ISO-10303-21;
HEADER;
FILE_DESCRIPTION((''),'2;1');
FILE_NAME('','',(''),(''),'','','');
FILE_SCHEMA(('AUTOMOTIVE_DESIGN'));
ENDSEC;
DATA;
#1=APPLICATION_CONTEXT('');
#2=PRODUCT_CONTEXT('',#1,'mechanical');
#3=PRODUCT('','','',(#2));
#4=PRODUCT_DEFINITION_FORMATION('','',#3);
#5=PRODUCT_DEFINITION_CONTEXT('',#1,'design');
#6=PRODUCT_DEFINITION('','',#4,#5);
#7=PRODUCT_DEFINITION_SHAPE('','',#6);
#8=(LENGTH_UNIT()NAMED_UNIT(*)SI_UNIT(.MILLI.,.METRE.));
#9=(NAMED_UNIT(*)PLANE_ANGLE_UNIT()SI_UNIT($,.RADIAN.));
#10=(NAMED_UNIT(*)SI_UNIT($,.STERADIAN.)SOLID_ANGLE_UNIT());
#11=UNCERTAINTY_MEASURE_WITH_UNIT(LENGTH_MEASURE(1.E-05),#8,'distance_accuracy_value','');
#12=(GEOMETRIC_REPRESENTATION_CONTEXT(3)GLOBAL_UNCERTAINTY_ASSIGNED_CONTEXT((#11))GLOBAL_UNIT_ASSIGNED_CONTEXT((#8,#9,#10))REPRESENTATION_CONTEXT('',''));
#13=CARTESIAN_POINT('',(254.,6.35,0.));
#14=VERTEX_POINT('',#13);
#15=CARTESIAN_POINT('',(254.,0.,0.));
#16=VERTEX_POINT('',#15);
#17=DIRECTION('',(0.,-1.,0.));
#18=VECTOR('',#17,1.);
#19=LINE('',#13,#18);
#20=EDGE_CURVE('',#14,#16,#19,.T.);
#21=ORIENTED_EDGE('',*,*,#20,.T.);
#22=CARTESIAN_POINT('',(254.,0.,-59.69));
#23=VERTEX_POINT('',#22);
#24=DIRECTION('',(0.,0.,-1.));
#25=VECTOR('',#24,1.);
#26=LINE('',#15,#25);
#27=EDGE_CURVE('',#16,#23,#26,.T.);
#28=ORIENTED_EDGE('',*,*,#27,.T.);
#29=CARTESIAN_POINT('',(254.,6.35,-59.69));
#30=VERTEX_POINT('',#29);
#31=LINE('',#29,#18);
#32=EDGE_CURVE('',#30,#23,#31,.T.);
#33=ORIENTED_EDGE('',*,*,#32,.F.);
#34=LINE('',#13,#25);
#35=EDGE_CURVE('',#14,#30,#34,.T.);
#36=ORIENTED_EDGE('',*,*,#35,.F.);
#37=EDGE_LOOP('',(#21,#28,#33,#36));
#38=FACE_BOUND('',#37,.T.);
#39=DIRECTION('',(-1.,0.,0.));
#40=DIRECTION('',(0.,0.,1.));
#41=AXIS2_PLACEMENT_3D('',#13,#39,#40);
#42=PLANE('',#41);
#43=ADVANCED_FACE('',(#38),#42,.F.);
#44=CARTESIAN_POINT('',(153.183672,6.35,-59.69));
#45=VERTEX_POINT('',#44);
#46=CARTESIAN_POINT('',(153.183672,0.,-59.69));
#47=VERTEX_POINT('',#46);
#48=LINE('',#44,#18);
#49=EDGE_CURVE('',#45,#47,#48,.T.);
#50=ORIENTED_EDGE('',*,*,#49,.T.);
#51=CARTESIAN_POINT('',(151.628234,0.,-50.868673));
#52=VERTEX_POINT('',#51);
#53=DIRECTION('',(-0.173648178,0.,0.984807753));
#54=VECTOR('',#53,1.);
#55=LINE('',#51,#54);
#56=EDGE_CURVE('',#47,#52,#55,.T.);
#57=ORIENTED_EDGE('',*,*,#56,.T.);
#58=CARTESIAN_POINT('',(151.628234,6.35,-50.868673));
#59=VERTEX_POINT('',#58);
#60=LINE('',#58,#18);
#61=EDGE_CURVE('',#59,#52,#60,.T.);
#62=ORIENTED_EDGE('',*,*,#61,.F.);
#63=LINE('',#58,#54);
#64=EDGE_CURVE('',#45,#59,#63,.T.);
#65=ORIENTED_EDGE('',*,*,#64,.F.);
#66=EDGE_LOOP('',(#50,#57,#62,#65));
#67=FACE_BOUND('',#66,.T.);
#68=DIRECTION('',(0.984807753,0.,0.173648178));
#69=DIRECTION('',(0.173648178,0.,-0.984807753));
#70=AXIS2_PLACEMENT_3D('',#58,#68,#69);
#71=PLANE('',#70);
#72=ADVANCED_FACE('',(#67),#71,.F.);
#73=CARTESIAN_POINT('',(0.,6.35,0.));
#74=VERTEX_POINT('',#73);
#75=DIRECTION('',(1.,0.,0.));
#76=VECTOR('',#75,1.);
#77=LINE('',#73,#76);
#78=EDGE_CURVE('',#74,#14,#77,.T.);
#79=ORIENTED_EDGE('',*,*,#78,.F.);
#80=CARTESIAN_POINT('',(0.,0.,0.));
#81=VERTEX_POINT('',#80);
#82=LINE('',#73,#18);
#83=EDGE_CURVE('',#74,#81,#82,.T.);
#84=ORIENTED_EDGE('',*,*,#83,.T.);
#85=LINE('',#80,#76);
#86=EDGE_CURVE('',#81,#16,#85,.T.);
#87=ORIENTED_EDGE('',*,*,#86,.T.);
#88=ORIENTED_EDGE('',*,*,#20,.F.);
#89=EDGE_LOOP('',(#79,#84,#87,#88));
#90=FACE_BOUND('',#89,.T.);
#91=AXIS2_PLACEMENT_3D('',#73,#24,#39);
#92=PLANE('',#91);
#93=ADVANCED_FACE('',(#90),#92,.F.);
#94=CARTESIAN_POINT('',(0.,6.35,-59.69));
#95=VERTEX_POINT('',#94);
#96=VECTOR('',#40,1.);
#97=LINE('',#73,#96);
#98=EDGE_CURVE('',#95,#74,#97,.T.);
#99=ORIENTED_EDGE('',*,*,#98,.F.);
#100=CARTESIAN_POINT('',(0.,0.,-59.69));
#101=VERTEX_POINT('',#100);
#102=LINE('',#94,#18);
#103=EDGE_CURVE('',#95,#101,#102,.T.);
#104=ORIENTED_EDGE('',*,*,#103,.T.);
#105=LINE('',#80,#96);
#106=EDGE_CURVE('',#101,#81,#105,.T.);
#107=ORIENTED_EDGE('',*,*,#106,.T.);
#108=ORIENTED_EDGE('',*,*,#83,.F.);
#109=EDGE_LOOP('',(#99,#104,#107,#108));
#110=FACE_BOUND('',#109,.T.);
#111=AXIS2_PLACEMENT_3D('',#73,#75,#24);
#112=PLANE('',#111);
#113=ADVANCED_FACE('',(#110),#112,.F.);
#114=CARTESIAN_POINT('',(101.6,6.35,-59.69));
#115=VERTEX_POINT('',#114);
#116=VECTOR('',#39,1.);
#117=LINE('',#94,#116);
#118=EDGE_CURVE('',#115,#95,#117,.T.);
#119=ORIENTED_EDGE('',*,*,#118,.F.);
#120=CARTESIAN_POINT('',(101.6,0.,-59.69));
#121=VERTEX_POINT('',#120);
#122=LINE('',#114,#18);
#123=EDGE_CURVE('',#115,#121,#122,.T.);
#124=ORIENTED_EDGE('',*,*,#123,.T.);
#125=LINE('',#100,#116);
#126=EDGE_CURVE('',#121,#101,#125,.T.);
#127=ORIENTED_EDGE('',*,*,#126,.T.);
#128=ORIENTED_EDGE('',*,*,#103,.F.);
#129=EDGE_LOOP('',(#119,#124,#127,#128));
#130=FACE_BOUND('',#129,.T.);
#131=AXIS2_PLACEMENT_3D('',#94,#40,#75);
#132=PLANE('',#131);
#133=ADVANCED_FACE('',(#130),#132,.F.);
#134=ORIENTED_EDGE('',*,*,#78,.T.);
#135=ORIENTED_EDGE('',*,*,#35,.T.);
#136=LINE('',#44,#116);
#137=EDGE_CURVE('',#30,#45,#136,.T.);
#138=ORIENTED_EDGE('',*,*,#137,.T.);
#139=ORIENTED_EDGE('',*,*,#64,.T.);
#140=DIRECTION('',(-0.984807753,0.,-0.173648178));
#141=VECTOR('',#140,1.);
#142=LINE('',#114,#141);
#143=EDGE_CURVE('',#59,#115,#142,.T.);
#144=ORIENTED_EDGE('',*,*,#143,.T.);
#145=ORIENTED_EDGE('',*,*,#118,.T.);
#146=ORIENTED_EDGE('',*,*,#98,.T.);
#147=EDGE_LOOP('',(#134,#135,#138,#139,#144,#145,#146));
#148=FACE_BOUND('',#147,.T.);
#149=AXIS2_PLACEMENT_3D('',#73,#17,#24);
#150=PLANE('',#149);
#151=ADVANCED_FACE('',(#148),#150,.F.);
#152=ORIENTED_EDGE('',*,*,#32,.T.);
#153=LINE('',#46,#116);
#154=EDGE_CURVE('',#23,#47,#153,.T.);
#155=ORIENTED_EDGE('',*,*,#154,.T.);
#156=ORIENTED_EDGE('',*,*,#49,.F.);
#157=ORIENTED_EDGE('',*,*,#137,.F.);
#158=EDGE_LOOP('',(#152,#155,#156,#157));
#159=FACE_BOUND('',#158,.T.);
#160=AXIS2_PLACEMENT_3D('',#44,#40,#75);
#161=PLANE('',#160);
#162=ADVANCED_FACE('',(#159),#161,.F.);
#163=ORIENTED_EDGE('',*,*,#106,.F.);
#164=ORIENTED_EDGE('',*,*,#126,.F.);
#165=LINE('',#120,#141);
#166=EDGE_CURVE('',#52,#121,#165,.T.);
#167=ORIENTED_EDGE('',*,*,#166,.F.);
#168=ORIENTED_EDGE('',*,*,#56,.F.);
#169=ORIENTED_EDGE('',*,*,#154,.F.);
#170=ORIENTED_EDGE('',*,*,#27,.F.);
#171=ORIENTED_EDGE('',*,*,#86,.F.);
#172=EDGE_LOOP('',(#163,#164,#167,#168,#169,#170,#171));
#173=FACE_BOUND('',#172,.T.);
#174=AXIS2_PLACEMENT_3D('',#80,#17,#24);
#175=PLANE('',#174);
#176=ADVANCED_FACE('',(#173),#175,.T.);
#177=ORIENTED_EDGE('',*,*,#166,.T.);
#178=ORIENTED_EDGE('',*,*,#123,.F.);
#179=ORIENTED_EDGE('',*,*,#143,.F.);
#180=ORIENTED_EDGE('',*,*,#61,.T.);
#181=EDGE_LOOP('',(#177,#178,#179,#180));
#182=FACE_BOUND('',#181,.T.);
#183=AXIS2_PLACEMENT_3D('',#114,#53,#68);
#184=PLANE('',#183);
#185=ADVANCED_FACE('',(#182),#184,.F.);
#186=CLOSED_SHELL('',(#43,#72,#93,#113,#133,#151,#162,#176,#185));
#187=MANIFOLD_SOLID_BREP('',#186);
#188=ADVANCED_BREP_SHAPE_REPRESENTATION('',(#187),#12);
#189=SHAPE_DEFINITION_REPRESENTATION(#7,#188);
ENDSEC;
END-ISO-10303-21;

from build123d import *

# Parameters (mm, degrees)
BOSS_EXTRUDE1_DEPTH = 6.35


with BuildPart() as part:
    # Sketch1 → Boss-Extrude1 (new body)
    with BuildSketch(Plane(origin=(0, 0, 0), x_dir=(1, 0, 0), z_dir=(0, 1, 0))):
        Polygon((101.6, 59.69), (151.628233853, 50.868672575), (153.183671884, 59.69), (254, 59.69), (254, 0), (0, 0), (0, 59.69), align=None)
    extrude(amount=BOSS_EXTRUDE1_DEPTH)


solid = part.part
